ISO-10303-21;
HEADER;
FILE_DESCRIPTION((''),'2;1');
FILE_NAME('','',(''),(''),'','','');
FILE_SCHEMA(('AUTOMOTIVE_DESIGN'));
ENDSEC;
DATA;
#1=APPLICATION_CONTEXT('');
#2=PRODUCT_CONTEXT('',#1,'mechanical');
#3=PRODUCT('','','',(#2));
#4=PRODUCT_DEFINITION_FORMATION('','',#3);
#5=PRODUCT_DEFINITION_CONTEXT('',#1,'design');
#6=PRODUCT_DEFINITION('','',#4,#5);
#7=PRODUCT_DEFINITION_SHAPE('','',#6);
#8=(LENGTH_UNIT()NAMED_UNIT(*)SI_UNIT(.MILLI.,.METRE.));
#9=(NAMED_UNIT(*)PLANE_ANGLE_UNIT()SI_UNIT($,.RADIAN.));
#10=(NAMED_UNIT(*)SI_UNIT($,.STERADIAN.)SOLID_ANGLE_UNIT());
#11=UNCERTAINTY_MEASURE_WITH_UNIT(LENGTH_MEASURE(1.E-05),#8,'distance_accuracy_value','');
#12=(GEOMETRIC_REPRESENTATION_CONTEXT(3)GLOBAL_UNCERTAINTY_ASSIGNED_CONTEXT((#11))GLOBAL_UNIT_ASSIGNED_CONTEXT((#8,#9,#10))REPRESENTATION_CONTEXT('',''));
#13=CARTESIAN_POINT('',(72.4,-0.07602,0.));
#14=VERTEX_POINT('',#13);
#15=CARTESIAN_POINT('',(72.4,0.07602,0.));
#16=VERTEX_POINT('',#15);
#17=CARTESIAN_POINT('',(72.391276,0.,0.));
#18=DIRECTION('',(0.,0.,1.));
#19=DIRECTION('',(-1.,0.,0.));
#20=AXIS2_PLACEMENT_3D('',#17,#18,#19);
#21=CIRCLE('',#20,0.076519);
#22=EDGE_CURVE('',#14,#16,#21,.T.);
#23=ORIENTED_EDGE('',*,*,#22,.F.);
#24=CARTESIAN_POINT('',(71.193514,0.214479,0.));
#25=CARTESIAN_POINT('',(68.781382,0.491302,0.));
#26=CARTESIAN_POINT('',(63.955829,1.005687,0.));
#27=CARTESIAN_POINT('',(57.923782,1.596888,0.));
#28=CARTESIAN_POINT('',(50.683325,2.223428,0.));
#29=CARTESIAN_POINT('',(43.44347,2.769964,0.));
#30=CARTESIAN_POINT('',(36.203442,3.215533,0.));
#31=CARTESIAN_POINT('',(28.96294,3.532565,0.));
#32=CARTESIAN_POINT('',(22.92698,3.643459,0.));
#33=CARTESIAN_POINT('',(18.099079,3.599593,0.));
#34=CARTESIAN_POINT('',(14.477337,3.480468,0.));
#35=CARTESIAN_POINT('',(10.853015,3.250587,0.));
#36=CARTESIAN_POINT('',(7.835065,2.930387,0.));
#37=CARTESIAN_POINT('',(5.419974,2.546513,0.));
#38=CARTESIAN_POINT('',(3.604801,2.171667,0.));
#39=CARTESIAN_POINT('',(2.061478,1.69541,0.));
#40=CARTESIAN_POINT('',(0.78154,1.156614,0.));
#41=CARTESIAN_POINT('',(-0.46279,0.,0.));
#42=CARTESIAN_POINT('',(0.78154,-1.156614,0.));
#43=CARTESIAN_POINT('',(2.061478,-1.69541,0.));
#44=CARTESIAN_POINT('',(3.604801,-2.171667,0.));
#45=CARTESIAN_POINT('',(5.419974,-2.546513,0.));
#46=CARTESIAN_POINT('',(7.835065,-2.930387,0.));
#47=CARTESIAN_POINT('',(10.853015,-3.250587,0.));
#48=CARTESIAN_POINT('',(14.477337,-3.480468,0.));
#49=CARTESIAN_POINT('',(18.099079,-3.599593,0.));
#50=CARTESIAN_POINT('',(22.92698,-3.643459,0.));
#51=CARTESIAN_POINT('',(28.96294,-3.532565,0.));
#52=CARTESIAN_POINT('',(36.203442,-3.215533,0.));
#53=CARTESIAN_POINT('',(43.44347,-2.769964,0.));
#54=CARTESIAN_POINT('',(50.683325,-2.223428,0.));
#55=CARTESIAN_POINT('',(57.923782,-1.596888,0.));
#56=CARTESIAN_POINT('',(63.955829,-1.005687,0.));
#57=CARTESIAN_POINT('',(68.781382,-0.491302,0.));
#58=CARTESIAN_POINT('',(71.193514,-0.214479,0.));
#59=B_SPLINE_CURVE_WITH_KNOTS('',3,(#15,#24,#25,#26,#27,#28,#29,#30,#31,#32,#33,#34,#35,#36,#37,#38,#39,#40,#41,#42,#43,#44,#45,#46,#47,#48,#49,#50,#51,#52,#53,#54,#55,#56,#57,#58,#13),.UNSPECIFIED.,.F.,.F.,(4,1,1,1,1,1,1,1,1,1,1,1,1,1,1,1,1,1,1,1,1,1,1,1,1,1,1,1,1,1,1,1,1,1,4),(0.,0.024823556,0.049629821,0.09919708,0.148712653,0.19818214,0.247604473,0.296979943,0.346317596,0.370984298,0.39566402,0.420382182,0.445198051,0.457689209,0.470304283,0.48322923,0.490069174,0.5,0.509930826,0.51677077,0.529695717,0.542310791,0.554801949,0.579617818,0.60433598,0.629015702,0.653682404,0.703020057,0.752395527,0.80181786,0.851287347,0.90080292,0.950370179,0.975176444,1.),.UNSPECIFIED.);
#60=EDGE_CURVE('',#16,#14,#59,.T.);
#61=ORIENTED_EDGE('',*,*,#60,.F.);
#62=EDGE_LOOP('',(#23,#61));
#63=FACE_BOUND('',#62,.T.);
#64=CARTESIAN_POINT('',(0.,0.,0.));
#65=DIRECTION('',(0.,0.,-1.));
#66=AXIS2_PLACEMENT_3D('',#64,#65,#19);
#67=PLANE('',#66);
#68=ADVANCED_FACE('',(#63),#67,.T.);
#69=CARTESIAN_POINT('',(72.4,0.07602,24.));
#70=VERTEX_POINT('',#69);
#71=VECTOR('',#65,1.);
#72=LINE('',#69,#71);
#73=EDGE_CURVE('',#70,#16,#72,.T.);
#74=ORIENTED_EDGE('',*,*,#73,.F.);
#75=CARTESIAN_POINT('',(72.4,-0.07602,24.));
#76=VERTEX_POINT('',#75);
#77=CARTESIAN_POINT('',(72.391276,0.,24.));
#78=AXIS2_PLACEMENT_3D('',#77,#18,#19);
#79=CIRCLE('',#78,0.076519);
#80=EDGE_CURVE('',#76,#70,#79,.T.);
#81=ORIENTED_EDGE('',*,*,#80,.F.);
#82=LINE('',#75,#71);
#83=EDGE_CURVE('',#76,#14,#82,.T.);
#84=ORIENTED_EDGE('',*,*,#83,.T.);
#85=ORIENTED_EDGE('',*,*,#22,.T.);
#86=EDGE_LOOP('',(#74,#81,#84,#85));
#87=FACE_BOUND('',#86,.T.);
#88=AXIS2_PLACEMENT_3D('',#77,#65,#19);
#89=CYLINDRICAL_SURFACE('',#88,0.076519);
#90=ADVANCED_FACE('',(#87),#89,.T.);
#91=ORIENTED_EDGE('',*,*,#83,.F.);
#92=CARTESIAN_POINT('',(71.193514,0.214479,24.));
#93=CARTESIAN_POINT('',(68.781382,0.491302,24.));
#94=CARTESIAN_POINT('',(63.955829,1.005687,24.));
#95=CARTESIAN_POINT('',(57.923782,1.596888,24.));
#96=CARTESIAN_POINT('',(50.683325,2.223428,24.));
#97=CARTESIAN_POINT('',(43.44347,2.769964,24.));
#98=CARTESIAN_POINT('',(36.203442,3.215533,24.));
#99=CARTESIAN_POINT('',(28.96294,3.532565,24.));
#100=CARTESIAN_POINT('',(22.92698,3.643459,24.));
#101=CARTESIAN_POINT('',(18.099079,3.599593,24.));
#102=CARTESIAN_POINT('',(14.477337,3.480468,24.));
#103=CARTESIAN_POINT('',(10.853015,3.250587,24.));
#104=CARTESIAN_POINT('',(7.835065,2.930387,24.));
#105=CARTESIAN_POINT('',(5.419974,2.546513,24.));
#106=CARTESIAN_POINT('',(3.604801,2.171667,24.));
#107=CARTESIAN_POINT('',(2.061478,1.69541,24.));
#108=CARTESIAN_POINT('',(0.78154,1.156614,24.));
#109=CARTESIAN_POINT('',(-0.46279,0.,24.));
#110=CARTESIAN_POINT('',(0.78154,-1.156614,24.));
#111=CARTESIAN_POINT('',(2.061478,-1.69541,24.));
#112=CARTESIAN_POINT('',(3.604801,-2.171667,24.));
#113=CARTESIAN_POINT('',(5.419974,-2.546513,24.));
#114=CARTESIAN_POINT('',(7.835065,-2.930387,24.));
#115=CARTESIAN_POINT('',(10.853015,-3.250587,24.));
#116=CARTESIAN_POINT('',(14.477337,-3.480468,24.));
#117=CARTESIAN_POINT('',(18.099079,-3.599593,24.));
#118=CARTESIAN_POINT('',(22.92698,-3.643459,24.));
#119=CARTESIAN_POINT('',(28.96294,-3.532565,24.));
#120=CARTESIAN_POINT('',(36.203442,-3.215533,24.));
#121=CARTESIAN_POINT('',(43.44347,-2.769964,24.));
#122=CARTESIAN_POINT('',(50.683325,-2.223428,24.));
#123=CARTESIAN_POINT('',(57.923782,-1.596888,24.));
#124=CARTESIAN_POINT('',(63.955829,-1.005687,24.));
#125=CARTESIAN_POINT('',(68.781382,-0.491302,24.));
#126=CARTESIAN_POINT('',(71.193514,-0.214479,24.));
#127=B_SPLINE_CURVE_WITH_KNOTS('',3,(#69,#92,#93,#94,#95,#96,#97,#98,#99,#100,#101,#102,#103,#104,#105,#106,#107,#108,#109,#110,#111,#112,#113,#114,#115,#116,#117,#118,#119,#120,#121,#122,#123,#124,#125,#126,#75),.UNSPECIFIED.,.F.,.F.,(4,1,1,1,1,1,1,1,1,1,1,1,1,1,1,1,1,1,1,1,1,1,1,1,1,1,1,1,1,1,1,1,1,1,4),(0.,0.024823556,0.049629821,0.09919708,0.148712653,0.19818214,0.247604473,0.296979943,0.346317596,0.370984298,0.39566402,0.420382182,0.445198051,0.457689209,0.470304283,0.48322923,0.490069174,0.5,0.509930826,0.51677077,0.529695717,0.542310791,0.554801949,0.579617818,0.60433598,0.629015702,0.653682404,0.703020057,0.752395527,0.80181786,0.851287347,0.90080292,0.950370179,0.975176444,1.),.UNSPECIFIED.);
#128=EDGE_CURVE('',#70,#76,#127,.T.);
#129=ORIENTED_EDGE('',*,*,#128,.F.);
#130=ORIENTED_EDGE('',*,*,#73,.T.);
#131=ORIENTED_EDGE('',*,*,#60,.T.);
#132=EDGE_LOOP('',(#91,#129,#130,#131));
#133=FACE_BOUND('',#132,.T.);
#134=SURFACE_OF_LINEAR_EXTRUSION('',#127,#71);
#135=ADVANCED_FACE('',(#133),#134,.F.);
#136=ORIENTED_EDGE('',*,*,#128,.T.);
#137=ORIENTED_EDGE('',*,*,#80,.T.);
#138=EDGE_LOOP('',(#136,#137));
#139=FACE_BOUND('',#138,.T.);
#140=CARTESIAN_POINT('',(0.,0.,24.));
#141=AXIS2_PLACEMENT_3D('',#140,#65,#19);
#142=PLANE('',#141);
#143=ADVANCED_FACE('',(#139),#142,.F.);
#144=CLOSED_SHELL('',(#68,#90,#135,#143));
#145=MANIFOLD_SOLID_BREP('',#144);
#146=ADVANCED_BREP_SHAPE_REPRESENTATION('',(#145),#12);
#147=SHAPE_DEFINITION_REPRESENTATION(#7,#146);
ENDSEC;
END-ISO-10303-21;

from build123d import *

# Parameters (mm, degrees)
BOSS_EXTRUDE1_DEPTH = 24


with BuildPart() as part:
    # Sketch1 → Boss-Extrude1 (new body)
    with BuildSketch(Plane.XY):
        with BuildLine():
            ThreePointArc((72.4, 0.07602), (72.467794719, 0), (72.4, -0.07602))
            add(Edge.make_bspline(
                [(72.4, 0.07602), (71.19351403, 0.214479461), (68.781382489, 0.491301937), (63.955829083, 1.005686548), (57.923781887, 1.596888097), (50.683324552, 2.223428481), (43.443470108, 2.769964023), (36.203441774, 3.215533146), (28.962939961, 3.532564842), (22.926980285, 3.643458715), (18.099079373, 3.599593107), (14.477336842, 3.480467862), (10.853015469, 3.250586776), (7.835065311, 2.93038711), (5.419974159, 2.546513461), (3.604801256, 2.171667489), (2.061477724, 1.695409553), (0.781540186, 1.156613975), (-0.462789704, 0), (0.781540186, -1.156613975), (2.061477724, -1.695409553), (3.604801256, -2.171667489), (5.419974159, -2.546513461), (7.835065311, -2.93038711), (10.853015469, -3.250586776), (14.477336842, -3.480467862), (18.099079373, -3.599593107), (22.926980285, -3.643458715), (28.962939961, -3.532564842), (36.203441774, -3.215533146), (43.443470108, -2.769964023), (50.683324552, -2.223428481), (57.923781887, -1.596888097), (63.955829083, -1.005686548), (68.781382489, -0.491301937), (71.19351403, -0.214479461), (72.4, -0.07602)],
                knots=[0, 0, 0, 0, 0.024823556, 0.049629821, 0.09919708, 0.148712653, 0.19818214, 0.247604473, 0.296979943, 0.346317596, 0.370984298, 0.39566402, 0.420382182, 0.445198051, 0.457689209, 0.470304283, 0.48322923, 0.490069174, 0.5, 0.509930826, 0.51677077, 0.529695717, 0.542310791, 0.554801949, 0.579617818, 0.60433598, 0.629015702, 0.653682404, 0.703020057, 0.752395527, 0.80181786, 0.851287347, 0.90080292, 0.950370179, 0.975176444, 1, 1, 1, 1], degree=3))
        make_face()
    extrude(amount=BOSS_EXTRUDE1_DEPTH)


solid = part.part
